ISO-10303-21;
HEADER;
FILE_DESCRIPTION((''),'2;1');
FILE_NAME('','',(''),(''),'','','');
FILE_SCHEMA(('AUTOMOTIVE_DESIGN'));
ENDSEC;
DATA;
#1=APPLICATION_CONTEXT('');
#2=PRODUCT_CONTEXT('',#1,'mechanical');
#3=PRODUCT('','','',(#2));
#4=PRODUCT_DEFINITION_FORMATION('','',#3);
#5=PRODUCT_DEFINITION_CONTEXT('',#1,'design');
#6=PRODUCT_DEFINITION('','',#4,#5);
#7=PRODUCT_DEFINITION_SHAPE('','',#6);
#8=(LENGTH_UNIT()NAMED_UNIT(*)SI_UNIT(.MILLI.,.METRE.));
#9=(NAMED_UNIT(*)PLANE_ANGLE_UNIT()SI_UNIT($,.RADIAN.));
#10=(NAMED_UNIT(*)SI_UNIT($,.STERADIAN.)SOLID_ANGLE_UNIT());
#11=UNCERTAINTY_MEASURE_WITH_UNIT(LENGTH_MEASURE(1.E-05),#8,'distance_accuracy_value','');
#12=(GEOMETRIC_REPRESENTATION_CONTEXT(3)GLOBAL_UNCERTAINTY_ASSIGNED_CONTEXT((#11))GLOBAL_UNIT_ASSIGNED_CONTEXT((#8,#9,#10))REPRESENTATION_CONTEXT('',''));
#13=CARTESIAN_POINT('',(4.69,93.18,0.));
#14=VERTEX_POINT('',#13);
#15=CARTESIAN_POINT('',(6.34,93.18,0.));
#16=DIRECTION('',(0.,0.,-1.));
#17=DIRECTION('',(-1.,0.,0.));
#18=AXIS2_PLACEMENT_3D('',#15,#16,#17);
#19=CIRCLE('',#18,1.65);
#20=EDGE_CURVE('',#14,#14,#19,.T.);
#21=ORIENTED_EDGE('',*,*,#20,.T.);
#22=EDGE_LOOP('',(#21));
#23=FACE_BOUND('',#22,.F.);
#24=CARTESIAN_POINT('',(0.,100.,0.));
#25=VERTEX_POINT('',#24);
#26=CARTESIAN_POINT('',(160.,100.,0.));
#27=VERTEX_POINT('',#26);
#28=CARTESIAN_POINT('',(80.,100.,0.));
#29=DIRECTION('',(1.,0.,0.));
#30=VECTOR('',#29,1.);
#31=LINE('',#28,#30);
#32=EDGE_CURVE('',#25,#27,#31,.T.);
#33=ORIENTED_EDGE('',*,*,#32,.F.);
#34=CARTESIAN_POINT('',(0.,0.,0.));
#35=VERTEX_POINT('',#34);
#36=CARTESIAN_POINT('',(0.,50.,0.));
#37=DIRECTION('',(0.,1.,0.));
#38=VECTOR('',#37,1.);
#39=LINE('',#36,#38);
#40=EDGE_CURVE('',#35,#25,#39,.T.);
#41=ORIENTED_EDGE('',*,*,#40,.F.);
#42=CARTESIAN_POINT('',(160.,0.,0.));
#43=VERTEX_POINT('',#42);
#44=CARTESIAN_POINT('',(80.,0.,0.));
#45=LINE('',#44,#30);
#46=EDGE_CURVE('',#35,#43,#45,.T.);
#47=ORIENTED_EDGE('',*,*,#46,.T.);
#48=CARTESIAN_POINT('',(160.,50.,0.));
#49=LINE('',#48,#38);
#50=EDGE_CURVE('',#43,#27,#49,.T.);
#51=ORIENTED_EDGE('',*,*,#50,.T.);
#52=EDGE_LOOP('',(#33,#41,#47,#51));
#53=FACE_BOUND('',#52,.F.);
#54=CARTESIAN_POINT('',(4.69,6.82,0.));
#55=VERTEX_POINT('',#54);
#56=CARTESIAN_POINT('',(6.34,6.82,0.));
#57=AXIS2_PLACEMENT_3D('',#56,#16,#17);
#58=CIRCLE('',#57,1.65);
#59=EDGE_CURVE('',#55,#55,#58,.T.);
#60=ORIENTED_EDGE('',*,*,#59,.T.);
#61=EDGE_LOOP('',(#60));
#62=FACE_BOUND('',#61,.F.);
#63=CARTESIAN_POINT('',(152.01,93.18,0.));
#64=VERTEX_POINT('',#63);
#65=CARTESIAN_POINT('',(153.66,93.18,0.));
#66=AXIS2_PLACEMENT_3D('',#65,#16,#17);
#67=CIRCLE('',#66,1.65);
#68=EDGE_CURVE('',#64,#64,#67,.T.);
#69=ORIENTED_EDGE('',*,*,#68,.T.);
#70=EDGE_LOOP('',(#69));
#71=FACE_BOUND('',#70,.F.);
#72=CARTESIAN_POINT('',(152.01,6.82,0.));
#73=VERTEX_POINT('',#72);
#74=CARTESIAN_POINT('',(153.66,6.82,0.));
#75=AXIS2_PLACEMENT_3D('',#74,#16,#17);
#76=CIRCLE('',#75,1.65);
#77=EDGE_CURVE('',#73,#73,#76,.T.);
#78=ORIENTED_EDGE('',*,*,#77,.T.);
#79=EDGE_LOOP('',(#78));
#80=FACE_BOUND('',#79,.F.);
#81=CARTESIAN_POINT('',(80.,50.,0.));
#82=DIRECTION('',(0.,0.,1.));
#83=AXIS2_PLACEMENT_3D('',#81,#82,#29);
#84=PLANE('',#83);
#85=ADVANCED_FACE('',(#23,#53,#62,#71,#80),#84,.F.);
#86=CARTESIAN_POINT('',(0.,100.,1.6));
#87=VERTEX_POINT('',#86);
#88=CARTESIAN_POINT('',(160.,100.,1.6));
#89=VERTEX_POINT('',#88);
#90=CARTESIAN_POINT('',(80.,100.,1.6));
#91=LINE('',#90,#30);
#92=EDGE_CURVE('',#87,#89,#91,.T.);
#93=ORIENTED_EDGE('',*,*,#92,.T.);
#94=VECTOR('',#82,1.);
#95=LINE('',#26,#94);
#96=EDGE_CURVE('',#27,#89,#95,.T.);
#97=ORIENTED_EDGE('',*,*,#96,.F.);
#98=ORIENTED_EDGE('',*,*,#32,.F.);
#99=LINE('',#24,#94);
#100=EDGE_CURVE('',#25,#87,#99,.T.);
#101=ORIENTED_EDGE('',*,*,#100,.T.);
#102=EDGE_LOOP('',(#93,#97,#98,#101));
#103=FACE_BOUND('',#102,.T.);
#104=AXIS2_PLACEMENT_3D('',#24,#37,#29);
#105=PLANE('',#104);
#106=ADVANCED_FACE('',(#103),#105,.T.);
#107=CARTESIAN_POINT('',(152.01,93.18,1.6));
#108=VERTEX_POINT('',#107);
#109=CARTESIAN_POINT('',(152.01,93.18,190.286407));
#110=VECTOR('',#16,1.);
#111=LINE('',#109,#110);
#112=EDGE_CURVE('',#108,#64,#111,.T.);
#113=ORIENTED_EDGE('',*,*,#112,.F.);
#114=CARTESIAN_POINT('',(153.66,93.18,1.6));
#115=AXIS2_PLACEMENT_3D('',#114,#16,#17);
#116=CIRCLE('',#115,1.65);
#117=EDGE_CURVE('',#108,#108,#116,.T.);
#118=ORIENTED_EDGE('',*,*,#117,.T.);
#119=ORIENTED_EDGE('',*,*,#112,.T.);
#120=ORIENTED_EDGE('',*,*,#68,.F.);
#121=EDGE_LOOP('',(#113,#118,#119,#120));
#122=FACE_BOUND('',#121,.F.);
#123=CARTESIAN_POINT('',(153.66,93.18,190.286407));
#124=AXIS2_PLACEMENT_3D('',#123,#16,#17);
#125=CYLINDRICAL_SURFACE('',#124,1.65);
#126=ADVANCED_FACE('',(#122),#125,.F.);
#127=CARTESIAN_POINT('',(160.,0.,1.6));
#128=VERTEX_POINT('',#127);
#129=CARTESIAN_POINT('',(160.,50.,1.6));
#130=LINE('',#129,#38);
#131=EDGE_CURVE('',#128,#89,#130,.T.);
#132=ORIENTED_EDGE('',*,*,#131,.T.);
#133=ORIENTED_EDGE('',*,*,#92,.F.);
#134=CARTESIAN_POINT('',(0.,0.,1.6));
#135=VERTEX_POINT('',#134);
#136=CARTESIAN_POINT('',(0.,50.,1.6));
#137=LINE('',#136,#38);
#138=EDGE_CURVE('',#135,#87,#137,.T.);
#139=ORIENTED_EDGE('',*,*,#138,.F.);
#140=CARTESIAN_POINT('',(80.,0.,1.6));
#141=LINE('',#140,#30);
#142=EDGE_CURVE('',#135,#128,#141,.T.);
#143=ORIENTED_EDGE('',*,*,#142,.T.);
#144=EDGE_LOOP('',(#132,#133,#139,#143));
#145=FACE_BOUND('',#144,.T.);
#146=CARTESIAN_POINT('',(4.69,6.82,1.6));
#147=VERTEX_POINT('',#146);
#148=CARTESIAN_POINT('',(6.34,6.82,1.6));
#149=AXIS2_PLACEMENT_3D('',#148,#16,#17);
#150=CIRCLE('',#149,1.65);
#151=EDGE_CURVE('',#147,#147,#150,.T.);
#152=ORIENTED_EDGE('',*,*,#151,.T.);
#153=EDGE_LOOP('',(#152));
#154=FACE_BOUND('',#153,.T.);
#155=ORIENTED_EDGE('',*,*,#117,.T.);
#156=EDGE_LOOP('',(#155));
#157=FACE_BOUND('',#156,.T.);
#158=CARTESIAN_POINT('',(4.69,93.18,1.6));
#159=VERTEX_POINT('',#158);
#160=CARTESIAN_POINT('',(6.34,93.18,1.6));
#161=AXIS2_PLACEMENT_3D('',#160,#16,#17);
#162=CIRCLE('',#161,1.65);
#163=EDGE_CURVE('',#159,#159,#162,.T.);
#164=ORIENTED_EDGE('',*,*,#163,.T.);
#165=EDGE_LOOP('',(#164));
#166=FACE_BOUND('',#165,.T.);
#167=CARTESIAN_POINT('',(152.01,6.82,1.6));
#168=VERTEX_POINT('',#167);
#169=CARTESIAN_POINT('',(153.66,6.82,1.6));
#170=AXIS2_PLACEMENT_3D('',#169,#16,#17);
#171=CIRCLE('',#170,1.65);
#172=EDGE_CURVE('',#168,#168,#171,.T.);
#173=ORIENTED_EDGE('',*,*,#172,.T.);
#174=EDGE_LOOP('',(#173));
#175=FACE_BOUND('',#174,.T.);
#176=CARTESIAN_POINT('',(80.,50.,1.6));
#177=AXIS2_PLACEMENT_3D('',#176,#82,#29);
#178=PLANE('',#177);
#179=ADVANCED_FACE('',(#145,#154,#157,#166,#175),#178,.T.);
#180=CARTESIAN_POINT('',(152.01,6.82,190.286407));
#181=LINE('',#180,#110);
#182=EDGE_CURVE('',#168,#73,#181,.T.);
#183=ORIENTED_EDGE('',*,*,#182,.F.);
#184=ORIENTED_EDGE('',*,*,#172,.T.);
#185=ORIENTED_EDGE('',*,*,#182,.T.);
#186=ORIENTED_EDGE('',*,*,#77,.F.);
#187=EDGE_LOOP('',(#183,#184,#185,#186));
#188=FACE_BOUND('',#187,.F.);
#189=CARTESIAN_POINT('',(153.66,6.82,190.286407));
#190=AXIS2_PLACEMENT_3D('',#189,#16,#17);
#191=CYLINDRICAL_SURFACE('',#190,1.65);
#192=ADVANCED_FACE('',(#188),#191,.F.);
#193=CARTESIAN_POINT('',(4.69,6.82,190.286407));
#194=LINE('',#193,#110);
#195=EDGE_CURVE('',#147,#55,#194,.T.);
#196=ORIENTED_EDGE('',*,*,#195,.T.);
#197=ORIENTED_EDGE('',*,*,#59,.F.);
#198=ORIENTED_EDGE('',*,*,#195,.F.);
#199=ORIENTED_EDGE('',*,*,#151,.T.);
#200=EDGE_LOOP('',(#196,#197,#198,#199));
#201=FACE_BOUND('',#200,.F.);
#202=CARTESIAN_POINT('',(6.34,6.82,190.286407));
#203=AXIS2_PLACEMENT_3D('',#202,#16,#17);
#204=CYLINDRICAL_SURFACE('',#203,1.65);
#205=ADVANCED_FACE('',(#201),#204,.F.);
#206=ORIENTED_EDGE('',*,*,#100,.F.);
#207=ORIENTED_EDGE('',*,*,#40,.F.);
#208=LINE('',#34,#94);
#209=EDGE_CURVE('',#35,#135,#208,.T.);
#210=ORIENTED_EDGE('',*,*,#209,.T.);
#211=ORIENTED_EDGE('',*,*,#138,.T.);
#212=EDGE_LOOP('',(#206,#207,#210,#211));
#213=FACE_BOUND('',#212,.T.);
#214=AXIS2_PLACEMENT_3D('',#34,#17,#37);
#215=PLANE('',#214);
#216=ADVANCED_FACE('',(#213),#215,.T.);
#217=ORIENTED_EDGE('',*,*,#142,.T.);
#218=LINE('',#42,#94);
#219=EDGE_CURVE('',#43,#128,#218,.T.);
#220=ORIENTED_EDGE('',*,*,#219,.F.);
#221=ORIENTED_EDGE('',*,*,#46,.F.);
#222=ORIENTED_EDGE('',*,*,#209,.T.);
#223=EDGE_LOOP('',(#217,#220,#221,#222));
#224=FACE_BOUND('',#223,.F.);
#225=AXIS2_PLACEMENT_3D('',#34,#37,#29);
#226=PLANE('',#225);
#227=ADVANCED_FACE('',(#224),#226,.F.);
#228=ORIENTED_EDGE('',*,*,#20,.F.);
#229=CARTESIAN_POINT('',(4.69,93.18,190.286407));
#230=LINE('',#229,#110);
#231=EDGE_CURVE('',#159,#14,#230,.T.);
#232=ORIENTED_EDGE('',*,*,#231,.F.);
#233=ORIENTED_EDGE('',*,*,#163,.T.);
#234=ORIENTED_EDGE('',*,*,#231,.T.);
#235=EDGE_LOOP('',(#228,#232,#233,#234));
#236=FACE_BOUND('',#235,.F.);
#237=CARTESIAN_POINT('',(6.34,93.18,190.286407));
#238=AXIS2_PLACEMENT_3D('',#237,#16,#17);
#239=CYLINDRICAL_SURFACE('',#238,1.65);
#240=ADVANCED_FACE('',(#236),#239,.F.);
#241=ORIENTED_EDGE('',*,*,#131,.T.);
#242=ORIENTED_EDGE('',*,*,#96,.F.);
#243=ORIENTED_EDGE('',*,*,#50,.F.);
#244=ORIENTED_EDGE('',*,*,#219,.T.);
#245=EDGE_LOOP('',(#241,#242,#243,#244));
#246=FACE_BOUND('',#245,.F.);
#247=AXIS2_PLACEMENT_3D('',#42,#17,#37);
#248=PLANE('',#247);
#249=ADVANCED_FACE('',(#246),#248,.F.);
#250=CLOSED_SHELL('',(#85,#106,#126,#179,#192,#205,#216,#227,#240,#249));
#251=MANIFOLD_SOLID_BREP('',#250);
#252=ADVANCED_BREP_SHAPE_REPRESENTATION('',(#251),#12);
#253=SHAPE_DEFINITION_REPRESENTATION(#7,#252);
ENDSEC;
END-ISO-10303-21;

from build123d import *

# Parameters (mm, degrees)
F0_W     = 160
F0_H     = 100
F1_DEPTH = 1.6
F3_D     = 3.3


with BuildPart() as f1:
    # F0 (on Top) → F1 (new body)
    with BuildSketch(Plane.XY):
        with Locations((80, 50)):
            Rectangle(F0_W, F0_H)
    extrude(amount=F1_DEPTH)

    # F3 (through all)
    with Locations(Plane.XY.offset(1.6)):
        with Locations((6.34, 93.18), (6.34, 6.82), (153.66, 6.82), (153.66, 93.18)):
            Hole(F3_D / 2)


solid = f1.part
